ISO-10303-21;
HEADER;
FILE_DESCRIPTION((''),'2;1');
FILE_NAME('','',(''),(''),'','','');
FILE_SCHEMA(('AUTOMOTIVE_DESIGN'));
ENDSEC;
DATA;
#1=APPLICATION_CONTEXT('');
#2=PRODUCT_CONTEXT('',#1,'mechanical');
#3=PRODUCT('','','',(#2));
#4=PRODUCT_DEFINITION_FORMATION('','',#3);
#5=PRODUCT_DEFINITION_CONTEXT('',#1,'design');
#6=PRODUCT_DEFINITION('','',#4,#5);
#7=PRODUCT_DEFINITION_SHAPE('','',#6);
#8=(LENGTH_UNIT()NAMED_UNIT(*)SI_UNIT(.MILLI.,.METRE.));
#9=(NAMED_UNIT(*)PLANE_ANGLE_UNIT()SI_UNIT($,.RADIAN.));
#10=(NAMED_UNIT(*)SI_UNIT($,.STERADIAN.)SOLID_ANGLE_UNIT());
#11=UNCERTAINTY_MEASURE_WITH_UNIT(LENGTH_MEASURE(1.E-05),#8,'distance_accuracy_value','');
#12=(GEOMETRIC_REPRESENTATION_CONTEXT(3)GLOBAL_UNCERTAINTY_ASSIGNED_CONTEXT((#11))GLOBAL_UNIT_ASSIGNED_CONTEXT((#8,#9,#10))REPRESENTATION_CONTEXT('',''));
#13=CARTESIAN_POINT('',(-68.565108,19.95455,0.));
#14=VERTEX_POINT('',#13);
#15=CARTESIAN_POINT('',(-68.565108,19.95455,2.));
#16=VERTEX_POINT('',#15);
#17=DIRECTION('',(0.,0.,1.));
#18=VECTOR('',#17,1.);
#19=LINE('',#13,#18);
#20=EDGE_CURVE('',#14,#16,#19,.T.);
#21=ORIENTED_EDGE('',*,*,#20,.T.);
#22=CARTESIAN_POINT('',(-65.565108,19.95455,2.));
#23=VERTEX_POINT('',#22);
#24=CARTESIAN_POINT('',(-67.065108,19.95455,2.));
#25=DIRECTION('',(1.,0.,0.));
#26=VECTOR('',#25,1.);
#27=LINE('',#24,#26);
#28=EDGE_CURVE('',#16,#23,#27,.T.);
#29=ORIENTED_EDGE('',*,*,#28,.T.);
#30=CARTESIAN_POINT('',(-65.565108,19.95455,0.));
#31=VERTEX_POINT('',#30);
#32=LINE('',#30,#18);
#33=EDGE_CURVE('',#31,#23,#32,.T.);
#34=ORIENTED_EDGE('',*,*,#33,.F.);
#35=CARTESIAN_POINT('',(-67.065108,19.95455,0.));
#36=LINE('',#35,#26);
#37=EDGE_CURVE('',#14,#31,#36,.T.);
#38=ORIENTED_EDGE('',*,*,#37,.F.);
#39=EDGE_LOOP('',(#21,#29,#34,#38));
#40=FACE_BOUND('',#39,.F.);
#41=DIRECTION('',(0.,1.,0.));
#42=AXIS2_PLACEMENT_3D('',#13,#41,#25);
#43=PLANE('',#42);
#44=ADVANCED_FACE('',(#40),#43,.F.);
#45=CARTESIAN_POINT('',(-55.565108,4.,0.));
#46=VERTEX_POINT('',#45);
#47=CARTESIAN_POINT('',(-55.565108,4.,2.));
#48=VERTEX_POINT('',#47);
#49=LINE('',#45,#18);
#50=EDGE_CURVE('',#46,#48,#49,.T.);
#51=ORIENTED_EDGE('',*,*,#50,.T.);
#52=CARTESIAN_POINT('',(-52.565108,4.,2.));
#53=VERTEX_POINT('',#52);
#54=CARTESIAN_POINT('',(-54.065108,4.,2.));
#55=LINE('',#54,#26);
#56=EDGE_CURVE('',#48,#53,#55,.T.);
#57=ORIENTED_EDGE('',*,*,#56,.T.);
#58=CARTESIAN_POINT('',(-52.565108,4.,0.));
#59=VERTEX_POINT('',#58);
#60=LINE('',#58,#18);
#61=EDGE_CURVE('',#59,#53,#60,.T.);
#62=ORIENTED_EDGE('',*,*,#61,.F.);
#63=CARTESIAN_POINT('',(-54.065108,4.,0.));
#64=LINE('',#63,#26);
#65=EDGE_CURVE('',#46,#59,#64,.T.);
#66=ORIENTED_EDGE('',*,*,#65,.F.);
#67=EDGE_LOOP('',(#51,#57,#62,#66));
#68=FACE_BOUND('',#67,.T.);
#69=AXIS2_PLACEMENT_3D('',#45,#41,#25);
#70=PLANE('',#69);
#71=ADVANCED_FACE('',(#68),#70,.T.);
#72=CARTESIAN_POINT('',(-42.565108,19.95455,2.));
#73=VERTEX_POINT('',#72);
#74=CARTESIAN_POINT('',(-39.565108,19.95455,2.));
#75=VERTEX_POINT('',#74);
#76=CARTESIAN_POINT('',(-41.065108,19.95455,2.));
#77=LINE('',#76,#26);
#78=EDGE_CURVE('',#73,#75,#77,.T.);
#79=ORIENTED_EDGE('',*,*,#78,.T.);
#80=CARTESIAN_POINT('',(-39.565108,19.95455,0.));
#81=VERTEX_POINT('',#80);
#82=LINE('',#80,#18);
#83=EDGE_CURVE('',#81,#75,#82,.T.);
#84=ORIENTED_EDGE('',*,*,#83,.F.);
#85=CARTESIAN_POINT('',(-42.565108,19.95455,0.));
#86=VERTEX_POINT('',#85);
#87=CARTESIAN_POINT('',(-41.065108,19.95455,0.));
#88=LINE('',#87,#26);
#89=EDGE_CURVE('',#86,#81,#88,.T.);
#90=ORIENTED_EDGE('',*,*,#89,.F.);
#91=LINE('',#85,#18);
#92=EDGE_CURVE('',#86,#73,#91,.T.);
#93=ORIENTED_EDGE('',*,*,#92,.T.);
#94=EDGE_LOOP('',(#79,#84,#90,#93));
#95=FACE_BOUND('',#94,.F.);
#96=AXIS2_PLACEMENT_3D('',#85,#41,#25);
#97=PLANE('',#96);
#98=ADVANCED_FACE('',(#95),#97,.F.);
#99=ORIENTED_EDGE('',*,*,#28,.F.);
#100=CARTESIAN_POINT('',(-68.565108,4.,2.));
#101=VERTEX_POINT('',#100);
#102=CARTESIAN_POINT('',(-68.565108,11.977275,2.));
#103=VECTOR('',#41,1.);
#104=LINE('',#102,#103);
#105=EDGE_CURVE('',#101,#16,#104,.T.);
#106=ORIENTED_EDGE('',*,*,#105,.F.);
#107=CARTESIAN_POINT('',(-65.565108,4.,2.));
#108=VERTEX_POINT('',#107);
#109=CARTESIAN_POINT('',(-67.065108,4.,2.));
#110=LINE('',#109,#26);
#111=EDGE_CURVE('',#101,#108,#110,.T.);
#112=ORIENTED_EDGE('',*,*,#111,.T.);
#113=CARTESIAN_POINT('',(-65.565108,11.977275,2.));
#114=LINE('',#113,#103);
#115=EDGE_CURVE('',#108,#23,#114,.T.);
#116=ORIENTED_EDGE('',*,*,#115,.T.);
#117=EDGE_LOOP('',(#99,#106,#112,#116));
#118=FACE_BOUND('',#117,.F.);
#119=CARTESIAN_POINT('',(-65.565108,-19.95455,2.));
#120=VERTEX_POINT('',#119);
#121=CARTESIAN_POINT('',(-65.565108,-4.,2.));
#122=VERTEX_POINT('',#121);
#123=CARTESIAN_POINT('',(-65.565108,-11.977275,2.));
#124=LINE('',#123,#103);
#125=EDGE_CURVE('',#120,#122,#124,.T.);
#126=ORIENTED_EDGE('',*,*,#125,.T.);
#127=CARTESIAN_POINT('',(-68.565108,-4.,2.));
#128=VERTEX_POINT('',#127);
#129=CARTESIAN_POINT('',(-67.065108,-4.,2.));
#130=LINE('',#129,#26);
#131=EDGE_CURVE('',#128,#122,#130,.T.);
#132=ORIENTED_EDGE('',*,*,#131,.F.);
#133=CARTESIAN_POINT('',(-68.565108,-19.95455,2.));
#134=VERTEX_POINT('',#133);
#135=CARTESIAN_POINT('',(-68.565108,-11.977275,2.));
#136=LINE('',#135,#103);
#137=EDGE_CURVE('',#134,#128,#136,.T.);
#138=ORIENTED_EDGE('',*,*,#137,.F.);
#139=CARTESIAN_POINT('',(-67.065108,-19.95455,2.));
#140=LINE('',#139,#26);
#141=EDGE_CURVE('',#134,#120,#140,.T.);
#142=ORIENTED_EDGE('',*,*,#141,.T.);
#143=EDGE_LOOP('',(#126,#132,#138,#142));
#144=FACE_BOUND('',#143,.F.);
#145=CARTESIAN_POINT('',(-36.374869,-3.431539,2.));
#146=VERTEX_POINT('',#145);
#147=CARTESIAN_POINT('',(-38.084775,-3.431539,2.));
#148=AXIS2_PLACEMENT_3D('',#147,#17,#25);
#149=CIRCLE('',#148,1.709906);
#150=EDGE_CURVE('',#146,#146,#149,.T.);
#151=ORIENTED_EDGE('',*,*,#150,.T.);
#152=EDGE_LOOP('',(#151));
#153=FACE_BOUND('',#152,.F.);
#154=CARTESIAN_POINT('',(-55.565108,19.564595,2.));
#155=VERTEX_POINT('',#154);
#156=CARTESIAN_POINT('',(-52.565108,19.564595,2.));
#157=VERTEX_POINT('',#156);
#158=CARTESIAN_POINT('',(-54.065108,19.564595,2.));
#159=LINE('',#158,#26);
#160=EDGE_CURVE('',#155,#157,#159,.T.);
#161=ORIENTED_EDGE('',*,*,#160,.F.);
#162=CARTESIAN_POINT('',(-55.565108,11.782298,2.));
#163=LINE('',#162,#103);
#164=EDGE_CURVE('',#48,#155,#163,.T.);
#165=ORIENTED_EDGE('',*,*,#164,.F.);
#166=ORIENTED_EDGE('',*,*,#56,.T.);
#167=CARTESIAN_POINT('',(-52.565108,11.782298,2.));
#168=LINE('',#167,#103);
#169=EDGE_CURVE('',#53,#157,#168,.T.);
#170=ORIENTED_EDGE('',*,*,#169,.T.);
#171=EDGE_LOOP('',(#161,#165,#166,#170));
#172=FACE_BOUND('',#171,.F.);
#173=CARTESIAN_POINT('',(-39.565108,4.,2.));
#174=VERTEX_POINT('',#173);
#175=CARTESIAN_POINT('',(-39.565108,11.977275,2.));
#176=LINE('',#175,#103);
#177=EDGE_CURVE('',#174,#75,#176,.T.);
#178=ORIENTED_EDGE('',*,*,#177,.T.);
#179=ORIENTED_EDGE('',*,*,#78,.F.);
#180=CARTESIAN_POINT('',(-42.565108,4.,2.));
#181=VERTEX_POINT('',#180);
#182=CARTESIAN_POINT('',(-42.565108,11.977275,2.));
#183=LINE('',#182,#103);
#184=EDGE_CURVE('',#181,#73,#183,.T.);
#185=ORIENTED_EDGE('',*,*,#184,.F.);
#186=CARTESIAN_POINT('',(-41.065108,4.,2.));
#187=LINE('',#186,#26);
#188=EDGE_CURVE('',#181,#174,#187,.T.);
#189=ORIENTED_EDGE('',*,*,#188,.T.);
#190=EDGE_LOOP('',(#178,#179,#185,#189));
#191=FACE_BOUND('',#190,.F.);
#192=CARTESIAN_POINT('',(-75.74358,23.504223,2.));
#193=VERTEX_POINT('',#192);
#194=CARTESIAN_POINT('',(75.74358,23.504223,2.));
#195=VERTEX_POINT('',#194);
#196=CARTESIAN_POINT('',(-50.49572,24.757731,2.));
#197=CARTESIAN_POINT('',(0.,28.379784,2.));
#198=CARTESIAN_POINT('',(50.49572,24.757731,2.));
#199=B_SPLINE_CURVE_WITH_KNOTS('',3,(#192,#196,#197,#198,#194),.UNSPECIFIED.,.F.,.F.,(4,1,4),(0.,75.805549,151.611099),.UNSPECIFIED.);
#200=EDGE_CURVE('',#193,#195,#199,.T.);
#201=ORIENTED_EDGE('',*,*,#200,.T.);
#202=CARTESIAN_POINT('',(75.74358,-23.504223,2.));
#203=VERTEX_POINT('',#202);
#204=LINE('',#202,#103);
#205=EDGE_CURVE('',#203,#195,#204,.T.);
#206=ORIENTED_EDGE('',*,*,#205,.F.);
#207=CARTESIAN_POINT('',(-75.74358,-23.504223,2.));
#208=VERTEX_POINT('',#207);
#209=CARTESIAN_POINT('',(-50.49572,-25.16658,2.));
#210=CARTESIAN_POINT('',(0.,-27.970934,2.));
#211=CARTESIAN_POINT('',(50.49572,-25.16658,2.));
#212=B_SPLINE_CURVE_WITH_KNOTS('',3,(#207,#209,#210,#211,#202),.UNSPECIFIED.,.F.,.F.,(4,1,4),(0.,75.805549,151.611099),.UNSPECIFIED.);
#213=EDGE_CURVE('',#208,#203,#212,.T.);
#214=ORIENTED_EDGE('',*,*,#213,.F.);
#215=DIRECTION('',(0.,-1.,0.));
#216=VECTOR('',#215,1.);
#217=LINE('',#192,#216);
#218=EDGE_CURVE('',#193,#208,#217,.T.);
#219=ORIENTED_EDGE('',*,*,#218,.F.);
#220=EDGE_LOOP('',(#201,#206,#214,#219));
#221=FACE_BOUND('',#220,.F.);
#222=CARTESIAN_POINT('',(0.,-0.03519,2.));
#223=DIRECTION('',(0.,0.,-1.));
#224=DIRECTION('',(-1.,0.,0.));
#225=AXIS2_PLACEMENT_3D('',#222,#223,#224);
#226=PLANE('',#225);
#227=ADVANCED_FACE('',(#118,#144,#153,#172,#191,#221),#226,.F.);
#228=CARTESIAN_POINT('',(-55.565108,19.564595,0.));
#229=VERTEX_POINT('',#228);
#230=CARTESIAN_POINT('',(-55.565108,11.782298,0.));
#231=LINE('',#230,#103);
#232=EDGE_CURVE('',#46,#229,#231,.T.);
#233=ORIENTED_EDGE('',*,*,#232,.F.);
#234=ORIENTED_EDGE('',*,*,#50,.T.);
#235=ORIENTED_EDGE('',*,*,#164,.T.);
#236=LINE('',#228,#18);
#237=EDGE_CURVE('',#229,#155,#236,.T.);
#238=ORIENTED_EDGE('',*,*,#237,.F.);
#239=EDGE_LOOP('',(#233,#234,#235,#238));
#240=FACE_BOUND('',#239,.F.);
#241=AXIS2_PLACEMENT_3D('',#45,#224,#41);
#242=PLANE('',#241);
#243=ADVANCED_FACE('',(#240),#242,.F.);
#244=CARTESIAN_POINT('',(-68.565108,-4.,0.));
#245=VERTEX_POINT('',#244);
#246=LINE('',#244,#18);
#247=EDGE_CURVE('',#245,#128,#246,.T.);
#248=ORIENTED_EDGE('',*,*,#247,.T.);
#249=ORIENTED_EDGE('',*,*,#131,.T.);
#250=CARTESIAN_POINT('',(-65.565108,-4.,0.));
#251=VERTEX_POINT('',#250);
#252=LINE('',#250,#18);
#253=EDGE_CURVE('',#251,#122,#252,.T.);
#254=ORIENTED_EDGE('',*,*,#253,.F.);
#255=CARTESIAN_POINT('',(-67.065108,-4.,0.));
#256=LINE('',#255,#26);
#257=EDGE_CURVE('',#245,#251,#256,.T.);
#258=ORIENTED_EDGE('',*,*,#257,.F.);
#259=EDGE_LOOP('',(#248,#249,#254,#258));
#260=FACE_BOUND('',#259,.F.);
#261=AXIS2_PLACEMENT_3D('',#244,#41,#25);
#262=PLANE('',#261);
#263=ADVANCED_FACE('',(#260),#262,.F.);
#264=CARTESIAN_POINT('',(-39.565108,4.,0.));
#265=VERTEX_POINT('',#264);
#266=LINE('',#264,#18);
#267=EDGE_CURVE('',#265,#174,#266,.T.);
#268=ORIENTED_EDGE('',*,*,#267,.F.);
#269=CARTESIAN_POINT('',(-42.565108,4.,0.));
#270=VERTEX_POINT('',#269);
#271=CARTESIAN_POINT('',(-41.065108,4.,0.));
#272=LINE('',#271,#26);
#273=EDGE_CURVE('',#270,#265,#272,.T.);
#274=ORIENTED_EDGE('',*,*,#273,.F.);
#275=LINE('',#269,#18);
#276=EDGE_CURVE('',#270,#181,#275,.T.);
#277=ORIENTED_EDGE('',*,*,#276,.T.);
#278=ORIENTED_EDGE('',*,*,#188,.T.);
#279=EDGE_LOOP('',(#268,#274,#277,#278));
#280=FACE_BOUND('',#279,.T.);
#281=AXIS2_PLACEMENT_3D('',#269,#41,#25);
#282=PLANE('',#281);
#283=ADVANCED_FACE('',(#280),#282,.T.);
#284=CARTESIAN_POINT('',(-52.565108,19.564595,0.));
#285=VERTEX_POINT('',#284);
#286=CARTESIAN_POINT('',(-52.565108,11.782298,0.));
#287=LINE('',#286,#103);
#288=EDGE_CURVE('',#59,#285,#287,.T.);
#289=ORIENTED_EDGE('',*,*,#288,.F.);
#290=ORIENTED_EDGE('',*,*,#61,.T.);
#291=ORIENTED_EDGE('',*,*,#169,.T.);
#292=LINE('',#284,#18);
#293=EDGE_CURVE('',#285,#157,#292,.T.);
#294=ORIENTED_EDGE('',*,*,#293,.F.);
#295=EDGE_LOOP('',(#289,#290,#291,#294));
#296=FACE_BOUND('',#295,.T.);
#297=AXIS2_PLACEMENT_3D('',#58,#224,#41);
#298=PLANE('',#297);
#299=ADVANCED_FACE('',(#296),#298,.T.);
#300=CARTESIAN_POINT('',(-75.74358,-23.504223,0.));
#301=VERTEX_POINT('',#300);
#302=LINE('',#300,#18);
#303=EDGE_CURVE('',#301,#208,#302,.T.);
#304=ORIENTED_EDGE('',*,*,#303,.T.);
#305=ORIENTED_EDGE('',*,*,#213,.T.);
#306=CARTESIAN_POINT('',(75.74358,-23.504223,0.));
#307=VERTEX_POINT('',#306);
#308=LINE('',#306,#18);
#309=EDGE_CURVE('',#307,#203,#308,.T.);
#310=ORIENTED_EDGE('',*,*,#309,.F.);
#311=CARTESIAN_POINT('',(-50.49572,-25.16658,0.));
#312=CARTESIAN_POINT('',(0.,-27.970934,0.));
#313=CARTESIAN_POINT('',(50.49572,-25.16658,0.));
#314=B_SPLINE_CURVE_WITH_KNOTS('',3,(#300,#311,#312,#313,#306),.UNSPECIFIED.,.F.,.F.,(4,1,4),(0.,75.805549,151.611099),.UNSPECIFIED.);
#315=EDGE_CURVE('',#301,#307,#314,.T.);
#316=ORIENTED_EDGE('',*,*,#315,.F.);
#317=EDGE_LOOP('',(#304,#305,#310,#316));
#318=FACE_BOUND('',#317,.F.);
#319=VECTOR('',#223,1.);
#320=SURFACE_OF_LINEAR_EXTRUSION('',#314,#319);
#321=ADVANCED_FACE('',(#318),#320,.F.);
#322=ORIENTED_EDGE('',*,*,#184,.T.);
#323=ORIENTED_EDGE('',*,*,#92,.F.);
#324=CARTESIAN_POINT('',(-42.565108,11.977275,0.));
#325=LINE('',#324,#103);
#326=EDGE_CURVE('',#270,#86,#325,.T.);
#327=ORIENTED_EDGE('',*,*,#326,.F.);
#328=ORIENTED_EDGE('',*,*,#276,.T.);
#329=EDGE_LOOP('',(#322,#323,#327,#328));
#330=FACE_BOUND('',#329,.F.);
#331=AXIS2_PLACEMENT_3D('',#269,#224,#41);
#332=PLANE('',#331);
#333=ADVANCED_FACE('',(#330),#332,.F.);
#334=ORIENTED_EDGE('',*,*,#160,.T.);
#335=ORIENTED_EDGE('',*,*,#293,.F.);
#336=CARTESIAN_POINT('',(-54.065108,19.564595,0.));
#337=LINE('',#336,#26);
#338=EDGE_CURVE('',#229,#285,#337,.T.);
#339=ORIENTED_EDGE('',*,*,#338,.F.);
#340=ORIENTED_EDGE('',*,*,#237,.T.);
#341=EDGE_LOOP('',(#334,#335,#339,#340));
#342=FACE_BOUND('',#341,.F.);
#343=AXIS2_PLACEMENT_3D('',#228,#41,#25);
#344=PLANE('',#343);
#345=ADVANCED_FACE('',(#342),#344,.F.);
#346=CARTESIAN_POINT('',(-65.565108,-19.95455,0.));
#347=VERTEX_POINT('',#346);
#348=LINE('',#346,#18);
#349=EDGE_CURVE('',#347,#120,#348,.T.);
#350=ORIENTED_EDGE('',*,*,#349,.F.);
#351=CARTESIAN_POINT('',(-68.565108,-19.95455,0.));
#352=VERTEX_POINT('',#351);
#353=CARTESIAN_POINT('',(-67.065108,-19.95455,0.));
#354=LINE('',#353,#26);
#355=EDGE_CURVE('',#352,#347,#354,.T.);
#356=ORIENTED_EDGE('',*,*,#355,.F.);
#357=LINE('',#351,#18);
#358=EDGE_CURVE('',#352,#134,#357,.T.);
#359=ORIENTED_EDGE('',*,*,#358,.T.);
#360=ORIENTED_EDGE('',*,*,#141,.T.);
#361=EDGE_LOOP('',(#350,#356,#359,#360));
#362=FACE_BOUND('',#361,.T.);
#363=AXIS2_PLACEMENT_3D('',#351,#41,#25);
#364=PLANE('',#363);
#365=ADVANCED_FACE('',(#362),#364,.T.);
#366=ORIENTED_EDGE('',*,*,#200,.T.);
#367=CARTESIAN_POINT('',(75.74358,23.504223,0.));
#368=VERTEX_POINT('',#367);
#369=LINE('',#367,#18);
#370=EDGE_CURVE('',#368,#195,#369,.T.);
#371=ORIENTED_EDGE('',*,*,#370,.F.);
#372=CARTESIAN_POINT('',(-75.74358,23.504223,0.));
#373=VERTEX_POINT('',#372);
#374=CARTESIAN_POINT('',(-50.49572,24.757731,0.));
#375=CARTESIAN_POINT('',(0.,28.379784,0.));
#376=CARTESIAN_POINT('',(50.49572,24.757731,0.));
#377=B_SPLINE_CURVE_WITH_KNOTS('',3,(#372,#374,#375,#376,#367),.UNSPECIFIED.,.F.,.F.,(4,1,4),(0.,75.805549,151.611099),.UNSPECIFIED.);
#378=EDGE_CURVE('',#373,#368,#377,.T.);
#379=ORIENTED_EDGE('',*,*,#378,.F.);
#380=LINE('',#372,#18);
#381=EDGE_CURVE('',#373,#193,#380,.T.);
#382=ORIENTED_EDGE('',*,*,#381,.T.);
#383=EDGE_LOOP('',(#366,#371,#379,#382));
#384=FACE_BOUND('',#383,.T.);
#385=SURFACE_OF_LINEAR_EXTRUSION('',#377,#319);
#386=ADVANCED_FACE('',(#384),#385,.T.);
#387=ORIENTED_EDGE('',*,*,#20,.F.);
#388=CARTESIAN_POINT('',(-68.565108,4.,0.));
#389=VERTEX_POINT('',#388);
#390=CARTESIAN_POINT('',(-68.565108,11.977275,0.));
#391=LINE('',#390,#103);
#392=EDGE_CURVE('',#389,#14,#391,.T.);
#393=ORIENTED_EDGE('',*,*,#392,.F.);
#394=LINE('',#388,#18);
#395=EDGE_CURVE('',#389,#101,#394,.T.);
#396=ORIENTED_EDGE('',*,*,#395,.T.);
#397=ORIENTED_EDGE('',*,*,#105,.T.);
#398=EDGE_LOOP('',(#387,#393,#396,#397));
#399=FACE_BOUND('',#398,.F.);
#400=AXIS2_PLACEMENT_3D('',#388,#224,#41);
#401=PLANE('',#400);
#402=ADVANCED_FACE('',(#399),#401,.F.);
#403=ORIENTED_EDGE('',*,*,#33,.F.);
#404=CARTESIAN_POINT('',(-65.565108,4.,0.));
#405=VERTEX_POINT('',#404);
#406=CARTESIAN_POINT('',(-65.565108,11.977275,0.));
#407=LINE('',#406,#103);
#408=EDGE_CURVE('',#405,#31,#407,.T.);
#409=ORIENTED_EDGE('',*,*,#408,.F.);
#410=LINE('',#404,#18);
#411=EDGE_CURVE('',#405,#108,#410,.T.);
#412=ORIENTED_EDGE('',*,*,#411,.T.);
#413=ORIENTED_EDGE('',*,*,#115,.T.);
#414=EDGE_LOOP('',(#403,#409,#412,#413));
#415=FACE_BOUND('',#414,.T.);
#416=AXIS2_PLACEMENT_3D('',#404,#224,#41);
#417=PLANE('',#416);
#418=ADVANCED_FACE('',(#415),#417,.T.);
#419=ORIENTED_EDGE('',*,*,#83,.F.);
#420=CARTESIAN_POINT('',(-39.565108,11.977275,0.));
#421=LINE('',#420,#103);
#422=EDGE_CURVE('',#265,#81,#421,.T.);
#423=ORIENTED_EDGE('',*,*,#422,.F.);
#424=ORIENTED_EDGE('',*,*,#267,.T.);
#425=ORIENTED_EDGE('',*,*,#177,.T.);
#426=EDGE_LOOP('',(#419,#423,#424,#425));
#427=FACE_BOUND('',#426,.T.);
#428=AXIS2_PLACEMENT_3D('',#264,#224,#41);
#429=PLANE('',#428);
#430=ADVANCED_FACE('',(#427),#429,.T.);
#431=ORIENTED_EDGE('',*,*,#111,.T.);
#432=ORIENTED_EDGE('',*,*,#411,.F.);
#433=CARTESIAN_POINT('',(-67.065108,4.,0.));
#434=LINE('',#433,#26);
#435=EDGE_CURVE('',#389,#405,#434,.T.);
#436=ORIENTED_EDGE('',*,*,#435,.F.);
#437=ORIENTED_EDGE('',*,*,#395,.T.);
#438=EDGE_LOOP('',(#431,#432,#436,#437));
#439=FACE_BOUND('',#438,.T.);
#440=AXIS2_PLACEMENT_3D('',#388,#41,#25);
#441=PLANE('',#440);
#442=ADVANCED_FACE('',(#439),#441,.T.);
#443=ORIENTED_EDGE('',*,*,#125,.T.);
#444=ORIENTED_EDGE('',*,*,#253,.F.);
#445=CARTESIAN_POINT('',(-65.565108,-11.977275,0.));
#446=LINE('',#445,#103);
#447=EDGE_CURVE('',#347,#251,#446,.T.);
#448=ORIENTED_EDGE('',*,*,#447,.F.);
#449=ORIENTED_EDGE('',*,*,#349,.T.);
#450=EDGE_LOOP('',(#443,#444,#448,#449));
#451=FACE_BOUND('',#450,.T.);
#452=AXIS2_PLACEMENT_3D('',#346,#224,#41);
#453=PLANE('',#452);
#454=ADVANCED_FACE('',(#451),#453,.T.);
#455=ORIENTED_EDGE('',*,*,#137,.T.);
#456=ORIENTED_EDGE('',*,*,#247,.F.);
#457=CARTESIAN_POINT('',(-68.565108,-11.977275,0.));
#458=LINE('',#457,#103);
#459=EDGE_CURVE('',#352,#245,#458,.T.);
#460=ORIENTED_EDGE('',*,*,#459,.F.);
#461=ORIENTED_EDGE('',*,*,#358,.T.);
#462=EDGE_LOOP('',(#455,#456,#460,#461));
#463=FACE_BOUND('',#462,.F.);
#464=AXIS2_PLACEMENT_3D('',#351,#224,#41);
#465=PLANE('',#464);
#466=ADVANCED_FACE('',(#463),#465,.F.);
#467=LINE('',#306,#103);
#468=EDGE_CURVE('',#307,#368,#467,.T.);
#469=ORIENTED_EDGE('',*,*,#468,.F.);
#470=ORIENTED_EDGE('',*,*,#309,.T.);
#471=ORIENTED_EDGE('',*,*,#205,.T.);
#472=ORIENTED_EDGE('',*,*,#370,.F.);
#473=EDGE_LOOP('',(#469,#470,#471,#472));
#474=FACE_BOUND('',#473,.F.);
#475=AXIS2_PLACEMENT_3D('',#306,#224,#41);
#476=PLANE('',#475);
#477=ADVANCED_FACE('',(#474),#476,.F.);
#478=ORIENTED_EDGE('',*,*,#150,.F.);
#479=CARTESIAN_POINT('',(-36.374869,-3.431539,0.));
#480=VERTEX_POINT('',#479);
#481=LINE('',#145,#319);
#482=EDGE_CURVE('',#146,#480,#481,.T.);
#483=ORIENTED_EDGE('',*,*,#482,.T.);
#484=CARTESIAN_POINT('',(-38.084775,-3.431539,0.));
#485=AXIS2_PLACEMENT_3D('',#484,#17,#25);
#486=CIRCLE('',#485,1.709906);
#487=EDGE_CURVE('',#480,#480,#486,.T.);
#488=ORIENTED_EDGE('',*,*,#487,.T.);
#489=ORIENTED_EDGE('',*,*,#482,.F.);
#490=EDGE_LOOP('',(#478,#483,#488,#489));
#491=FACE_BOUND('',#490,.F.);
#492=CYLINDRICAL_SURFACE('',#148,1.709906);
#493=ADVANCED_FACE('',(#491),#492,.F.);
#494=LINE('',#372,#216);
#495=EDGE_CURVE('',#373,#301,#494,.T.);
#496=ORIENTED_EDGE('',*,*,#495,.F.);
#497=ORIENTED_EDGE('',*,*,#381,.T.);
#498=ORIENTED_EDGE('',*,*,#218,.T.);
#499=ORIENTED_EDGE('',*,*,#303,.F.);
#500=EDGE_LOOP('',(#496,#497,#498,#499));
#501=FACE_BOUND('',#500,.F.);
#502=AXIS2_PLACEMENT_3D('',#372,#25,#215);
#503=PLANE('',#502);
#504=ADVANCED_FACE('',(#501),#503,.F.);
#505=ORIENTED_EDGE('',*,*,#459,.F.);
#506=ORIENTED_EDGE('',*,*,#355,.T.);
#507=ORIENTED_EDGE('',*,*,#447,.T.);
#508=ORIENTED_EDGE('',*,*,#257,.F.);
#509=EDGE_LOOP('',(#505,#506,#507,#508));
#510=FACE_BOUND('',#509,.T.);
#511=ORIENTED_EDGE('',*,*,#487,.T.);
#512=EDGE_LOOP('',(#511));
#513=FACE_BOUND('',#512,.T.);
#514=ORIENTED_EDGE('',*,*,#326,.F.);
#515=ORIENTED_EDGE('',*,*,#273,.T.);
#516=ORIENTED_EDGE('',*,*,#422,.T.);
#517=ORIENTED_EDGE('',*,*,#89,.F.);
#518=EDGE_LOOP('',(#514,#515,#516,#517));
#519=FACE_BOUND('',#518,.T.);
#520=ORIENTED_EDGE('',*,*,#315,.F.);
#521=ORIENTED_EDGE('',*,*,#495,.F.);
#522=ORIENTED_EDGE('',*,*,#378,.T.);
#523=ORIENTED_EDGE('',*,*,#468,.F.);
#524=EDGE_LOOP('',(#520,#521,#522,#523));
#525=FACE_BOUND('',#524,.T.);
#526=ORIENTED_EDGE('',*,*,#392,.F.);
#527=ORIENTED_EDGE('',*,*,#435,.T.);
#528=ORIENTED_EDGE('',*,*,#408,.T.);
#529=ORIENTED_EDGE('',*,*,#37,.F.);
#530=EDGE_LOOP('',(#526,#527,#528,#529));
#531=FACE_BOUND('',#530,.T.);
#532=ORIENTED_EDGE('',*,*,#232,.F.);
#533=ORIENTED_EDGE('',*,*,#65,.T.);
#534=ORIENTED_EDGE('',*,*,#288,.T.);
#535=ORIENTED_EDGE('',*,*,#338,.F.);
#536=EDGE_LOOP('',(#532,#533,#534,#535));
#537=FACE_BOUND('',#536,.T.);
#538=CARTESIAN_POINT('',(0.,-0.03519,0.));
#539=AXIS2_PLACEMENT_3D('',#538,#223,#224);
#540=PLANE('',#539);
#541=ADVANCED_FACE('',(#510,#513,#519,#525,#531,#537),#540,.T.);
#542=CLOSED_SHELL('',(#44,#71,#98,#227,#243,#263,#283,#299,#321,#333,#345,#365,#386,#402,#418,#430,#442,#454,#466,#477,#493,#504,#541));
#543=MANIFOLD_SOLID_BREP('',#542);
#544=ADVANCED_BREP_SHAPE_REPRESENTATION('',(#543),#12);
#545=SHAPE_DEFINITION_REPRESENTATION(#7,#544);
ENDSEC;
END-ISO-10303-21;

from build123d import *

# Parameters (mm, degrees)
F0_W     = 3
F0_H     = 15.95455
F0_H_2   = 15.564595
F1_DEPTH = 2
F2_R     = 1.709906
F3_DEPTH = 25


with BuildPart() as f1:
    # F0 (on Top) → F1 (new body)
    with BuildSketch(Plane.XY):
        with BuildLine():
            add(Edge.make_bspline(
                [(-75.74358, 23.504223), (-50.49572, 24.757731), (0, 28.379784), (50.49572, 24.757731), (75.74358, 23.504223)],
                knots=[0, 0, 0, 0, 75.805549, 151.611099, 151.611099, 151.611099, 151.611099], degree=3))
            Line((-75.74358, 23.504223), (-75.74358, -23.504223))
            add(Edge.make_bspline(
                [(-75.74358, -23.504223), (-50.49572, -25.16658), (0, -27.970934), (50.49572, -25.16658), (75.74358, -23.504223)],
                knots=[0, 0, 0, 0, 75.805549, 151.611099, 151.611099, 151.611099, 151.611099], degree=3))
            Line((75.74358, -23.504223), (75.74358, 23.504223))
        make_face()
        with Locations((-67.065108, -11.977275)):
            Rectangle(F0_W, F0_H, mode=Mode.SUBTRACT)
        with Locations((-67.065108, 11.977275)):
            Rectangle(F0_W, F0_H, mode=Mode.SUBTRACT)
        with Locations((-54.065108, 11.782298)):
            Rectangle(F0_W, F0_H_2, mode=Mode.SUBTRACT)
        with Locations((-41.065108, 11.977275)):
            Rectangle(F0_W, F0_H, mode=Mode.SUBTRACT)
    extrude(amount=F1_DEPTH)

    # F2 (on face) → F3 (cut)
    with BuildSketch(Plane.XY.offset(2)):
        with Locations((-38.084775, -3.431539)):
            Circle(F2_R)
    extrude(amount=-F3_DEPTH, mode=Mode.SUBTRACT)


solid = f1.part
